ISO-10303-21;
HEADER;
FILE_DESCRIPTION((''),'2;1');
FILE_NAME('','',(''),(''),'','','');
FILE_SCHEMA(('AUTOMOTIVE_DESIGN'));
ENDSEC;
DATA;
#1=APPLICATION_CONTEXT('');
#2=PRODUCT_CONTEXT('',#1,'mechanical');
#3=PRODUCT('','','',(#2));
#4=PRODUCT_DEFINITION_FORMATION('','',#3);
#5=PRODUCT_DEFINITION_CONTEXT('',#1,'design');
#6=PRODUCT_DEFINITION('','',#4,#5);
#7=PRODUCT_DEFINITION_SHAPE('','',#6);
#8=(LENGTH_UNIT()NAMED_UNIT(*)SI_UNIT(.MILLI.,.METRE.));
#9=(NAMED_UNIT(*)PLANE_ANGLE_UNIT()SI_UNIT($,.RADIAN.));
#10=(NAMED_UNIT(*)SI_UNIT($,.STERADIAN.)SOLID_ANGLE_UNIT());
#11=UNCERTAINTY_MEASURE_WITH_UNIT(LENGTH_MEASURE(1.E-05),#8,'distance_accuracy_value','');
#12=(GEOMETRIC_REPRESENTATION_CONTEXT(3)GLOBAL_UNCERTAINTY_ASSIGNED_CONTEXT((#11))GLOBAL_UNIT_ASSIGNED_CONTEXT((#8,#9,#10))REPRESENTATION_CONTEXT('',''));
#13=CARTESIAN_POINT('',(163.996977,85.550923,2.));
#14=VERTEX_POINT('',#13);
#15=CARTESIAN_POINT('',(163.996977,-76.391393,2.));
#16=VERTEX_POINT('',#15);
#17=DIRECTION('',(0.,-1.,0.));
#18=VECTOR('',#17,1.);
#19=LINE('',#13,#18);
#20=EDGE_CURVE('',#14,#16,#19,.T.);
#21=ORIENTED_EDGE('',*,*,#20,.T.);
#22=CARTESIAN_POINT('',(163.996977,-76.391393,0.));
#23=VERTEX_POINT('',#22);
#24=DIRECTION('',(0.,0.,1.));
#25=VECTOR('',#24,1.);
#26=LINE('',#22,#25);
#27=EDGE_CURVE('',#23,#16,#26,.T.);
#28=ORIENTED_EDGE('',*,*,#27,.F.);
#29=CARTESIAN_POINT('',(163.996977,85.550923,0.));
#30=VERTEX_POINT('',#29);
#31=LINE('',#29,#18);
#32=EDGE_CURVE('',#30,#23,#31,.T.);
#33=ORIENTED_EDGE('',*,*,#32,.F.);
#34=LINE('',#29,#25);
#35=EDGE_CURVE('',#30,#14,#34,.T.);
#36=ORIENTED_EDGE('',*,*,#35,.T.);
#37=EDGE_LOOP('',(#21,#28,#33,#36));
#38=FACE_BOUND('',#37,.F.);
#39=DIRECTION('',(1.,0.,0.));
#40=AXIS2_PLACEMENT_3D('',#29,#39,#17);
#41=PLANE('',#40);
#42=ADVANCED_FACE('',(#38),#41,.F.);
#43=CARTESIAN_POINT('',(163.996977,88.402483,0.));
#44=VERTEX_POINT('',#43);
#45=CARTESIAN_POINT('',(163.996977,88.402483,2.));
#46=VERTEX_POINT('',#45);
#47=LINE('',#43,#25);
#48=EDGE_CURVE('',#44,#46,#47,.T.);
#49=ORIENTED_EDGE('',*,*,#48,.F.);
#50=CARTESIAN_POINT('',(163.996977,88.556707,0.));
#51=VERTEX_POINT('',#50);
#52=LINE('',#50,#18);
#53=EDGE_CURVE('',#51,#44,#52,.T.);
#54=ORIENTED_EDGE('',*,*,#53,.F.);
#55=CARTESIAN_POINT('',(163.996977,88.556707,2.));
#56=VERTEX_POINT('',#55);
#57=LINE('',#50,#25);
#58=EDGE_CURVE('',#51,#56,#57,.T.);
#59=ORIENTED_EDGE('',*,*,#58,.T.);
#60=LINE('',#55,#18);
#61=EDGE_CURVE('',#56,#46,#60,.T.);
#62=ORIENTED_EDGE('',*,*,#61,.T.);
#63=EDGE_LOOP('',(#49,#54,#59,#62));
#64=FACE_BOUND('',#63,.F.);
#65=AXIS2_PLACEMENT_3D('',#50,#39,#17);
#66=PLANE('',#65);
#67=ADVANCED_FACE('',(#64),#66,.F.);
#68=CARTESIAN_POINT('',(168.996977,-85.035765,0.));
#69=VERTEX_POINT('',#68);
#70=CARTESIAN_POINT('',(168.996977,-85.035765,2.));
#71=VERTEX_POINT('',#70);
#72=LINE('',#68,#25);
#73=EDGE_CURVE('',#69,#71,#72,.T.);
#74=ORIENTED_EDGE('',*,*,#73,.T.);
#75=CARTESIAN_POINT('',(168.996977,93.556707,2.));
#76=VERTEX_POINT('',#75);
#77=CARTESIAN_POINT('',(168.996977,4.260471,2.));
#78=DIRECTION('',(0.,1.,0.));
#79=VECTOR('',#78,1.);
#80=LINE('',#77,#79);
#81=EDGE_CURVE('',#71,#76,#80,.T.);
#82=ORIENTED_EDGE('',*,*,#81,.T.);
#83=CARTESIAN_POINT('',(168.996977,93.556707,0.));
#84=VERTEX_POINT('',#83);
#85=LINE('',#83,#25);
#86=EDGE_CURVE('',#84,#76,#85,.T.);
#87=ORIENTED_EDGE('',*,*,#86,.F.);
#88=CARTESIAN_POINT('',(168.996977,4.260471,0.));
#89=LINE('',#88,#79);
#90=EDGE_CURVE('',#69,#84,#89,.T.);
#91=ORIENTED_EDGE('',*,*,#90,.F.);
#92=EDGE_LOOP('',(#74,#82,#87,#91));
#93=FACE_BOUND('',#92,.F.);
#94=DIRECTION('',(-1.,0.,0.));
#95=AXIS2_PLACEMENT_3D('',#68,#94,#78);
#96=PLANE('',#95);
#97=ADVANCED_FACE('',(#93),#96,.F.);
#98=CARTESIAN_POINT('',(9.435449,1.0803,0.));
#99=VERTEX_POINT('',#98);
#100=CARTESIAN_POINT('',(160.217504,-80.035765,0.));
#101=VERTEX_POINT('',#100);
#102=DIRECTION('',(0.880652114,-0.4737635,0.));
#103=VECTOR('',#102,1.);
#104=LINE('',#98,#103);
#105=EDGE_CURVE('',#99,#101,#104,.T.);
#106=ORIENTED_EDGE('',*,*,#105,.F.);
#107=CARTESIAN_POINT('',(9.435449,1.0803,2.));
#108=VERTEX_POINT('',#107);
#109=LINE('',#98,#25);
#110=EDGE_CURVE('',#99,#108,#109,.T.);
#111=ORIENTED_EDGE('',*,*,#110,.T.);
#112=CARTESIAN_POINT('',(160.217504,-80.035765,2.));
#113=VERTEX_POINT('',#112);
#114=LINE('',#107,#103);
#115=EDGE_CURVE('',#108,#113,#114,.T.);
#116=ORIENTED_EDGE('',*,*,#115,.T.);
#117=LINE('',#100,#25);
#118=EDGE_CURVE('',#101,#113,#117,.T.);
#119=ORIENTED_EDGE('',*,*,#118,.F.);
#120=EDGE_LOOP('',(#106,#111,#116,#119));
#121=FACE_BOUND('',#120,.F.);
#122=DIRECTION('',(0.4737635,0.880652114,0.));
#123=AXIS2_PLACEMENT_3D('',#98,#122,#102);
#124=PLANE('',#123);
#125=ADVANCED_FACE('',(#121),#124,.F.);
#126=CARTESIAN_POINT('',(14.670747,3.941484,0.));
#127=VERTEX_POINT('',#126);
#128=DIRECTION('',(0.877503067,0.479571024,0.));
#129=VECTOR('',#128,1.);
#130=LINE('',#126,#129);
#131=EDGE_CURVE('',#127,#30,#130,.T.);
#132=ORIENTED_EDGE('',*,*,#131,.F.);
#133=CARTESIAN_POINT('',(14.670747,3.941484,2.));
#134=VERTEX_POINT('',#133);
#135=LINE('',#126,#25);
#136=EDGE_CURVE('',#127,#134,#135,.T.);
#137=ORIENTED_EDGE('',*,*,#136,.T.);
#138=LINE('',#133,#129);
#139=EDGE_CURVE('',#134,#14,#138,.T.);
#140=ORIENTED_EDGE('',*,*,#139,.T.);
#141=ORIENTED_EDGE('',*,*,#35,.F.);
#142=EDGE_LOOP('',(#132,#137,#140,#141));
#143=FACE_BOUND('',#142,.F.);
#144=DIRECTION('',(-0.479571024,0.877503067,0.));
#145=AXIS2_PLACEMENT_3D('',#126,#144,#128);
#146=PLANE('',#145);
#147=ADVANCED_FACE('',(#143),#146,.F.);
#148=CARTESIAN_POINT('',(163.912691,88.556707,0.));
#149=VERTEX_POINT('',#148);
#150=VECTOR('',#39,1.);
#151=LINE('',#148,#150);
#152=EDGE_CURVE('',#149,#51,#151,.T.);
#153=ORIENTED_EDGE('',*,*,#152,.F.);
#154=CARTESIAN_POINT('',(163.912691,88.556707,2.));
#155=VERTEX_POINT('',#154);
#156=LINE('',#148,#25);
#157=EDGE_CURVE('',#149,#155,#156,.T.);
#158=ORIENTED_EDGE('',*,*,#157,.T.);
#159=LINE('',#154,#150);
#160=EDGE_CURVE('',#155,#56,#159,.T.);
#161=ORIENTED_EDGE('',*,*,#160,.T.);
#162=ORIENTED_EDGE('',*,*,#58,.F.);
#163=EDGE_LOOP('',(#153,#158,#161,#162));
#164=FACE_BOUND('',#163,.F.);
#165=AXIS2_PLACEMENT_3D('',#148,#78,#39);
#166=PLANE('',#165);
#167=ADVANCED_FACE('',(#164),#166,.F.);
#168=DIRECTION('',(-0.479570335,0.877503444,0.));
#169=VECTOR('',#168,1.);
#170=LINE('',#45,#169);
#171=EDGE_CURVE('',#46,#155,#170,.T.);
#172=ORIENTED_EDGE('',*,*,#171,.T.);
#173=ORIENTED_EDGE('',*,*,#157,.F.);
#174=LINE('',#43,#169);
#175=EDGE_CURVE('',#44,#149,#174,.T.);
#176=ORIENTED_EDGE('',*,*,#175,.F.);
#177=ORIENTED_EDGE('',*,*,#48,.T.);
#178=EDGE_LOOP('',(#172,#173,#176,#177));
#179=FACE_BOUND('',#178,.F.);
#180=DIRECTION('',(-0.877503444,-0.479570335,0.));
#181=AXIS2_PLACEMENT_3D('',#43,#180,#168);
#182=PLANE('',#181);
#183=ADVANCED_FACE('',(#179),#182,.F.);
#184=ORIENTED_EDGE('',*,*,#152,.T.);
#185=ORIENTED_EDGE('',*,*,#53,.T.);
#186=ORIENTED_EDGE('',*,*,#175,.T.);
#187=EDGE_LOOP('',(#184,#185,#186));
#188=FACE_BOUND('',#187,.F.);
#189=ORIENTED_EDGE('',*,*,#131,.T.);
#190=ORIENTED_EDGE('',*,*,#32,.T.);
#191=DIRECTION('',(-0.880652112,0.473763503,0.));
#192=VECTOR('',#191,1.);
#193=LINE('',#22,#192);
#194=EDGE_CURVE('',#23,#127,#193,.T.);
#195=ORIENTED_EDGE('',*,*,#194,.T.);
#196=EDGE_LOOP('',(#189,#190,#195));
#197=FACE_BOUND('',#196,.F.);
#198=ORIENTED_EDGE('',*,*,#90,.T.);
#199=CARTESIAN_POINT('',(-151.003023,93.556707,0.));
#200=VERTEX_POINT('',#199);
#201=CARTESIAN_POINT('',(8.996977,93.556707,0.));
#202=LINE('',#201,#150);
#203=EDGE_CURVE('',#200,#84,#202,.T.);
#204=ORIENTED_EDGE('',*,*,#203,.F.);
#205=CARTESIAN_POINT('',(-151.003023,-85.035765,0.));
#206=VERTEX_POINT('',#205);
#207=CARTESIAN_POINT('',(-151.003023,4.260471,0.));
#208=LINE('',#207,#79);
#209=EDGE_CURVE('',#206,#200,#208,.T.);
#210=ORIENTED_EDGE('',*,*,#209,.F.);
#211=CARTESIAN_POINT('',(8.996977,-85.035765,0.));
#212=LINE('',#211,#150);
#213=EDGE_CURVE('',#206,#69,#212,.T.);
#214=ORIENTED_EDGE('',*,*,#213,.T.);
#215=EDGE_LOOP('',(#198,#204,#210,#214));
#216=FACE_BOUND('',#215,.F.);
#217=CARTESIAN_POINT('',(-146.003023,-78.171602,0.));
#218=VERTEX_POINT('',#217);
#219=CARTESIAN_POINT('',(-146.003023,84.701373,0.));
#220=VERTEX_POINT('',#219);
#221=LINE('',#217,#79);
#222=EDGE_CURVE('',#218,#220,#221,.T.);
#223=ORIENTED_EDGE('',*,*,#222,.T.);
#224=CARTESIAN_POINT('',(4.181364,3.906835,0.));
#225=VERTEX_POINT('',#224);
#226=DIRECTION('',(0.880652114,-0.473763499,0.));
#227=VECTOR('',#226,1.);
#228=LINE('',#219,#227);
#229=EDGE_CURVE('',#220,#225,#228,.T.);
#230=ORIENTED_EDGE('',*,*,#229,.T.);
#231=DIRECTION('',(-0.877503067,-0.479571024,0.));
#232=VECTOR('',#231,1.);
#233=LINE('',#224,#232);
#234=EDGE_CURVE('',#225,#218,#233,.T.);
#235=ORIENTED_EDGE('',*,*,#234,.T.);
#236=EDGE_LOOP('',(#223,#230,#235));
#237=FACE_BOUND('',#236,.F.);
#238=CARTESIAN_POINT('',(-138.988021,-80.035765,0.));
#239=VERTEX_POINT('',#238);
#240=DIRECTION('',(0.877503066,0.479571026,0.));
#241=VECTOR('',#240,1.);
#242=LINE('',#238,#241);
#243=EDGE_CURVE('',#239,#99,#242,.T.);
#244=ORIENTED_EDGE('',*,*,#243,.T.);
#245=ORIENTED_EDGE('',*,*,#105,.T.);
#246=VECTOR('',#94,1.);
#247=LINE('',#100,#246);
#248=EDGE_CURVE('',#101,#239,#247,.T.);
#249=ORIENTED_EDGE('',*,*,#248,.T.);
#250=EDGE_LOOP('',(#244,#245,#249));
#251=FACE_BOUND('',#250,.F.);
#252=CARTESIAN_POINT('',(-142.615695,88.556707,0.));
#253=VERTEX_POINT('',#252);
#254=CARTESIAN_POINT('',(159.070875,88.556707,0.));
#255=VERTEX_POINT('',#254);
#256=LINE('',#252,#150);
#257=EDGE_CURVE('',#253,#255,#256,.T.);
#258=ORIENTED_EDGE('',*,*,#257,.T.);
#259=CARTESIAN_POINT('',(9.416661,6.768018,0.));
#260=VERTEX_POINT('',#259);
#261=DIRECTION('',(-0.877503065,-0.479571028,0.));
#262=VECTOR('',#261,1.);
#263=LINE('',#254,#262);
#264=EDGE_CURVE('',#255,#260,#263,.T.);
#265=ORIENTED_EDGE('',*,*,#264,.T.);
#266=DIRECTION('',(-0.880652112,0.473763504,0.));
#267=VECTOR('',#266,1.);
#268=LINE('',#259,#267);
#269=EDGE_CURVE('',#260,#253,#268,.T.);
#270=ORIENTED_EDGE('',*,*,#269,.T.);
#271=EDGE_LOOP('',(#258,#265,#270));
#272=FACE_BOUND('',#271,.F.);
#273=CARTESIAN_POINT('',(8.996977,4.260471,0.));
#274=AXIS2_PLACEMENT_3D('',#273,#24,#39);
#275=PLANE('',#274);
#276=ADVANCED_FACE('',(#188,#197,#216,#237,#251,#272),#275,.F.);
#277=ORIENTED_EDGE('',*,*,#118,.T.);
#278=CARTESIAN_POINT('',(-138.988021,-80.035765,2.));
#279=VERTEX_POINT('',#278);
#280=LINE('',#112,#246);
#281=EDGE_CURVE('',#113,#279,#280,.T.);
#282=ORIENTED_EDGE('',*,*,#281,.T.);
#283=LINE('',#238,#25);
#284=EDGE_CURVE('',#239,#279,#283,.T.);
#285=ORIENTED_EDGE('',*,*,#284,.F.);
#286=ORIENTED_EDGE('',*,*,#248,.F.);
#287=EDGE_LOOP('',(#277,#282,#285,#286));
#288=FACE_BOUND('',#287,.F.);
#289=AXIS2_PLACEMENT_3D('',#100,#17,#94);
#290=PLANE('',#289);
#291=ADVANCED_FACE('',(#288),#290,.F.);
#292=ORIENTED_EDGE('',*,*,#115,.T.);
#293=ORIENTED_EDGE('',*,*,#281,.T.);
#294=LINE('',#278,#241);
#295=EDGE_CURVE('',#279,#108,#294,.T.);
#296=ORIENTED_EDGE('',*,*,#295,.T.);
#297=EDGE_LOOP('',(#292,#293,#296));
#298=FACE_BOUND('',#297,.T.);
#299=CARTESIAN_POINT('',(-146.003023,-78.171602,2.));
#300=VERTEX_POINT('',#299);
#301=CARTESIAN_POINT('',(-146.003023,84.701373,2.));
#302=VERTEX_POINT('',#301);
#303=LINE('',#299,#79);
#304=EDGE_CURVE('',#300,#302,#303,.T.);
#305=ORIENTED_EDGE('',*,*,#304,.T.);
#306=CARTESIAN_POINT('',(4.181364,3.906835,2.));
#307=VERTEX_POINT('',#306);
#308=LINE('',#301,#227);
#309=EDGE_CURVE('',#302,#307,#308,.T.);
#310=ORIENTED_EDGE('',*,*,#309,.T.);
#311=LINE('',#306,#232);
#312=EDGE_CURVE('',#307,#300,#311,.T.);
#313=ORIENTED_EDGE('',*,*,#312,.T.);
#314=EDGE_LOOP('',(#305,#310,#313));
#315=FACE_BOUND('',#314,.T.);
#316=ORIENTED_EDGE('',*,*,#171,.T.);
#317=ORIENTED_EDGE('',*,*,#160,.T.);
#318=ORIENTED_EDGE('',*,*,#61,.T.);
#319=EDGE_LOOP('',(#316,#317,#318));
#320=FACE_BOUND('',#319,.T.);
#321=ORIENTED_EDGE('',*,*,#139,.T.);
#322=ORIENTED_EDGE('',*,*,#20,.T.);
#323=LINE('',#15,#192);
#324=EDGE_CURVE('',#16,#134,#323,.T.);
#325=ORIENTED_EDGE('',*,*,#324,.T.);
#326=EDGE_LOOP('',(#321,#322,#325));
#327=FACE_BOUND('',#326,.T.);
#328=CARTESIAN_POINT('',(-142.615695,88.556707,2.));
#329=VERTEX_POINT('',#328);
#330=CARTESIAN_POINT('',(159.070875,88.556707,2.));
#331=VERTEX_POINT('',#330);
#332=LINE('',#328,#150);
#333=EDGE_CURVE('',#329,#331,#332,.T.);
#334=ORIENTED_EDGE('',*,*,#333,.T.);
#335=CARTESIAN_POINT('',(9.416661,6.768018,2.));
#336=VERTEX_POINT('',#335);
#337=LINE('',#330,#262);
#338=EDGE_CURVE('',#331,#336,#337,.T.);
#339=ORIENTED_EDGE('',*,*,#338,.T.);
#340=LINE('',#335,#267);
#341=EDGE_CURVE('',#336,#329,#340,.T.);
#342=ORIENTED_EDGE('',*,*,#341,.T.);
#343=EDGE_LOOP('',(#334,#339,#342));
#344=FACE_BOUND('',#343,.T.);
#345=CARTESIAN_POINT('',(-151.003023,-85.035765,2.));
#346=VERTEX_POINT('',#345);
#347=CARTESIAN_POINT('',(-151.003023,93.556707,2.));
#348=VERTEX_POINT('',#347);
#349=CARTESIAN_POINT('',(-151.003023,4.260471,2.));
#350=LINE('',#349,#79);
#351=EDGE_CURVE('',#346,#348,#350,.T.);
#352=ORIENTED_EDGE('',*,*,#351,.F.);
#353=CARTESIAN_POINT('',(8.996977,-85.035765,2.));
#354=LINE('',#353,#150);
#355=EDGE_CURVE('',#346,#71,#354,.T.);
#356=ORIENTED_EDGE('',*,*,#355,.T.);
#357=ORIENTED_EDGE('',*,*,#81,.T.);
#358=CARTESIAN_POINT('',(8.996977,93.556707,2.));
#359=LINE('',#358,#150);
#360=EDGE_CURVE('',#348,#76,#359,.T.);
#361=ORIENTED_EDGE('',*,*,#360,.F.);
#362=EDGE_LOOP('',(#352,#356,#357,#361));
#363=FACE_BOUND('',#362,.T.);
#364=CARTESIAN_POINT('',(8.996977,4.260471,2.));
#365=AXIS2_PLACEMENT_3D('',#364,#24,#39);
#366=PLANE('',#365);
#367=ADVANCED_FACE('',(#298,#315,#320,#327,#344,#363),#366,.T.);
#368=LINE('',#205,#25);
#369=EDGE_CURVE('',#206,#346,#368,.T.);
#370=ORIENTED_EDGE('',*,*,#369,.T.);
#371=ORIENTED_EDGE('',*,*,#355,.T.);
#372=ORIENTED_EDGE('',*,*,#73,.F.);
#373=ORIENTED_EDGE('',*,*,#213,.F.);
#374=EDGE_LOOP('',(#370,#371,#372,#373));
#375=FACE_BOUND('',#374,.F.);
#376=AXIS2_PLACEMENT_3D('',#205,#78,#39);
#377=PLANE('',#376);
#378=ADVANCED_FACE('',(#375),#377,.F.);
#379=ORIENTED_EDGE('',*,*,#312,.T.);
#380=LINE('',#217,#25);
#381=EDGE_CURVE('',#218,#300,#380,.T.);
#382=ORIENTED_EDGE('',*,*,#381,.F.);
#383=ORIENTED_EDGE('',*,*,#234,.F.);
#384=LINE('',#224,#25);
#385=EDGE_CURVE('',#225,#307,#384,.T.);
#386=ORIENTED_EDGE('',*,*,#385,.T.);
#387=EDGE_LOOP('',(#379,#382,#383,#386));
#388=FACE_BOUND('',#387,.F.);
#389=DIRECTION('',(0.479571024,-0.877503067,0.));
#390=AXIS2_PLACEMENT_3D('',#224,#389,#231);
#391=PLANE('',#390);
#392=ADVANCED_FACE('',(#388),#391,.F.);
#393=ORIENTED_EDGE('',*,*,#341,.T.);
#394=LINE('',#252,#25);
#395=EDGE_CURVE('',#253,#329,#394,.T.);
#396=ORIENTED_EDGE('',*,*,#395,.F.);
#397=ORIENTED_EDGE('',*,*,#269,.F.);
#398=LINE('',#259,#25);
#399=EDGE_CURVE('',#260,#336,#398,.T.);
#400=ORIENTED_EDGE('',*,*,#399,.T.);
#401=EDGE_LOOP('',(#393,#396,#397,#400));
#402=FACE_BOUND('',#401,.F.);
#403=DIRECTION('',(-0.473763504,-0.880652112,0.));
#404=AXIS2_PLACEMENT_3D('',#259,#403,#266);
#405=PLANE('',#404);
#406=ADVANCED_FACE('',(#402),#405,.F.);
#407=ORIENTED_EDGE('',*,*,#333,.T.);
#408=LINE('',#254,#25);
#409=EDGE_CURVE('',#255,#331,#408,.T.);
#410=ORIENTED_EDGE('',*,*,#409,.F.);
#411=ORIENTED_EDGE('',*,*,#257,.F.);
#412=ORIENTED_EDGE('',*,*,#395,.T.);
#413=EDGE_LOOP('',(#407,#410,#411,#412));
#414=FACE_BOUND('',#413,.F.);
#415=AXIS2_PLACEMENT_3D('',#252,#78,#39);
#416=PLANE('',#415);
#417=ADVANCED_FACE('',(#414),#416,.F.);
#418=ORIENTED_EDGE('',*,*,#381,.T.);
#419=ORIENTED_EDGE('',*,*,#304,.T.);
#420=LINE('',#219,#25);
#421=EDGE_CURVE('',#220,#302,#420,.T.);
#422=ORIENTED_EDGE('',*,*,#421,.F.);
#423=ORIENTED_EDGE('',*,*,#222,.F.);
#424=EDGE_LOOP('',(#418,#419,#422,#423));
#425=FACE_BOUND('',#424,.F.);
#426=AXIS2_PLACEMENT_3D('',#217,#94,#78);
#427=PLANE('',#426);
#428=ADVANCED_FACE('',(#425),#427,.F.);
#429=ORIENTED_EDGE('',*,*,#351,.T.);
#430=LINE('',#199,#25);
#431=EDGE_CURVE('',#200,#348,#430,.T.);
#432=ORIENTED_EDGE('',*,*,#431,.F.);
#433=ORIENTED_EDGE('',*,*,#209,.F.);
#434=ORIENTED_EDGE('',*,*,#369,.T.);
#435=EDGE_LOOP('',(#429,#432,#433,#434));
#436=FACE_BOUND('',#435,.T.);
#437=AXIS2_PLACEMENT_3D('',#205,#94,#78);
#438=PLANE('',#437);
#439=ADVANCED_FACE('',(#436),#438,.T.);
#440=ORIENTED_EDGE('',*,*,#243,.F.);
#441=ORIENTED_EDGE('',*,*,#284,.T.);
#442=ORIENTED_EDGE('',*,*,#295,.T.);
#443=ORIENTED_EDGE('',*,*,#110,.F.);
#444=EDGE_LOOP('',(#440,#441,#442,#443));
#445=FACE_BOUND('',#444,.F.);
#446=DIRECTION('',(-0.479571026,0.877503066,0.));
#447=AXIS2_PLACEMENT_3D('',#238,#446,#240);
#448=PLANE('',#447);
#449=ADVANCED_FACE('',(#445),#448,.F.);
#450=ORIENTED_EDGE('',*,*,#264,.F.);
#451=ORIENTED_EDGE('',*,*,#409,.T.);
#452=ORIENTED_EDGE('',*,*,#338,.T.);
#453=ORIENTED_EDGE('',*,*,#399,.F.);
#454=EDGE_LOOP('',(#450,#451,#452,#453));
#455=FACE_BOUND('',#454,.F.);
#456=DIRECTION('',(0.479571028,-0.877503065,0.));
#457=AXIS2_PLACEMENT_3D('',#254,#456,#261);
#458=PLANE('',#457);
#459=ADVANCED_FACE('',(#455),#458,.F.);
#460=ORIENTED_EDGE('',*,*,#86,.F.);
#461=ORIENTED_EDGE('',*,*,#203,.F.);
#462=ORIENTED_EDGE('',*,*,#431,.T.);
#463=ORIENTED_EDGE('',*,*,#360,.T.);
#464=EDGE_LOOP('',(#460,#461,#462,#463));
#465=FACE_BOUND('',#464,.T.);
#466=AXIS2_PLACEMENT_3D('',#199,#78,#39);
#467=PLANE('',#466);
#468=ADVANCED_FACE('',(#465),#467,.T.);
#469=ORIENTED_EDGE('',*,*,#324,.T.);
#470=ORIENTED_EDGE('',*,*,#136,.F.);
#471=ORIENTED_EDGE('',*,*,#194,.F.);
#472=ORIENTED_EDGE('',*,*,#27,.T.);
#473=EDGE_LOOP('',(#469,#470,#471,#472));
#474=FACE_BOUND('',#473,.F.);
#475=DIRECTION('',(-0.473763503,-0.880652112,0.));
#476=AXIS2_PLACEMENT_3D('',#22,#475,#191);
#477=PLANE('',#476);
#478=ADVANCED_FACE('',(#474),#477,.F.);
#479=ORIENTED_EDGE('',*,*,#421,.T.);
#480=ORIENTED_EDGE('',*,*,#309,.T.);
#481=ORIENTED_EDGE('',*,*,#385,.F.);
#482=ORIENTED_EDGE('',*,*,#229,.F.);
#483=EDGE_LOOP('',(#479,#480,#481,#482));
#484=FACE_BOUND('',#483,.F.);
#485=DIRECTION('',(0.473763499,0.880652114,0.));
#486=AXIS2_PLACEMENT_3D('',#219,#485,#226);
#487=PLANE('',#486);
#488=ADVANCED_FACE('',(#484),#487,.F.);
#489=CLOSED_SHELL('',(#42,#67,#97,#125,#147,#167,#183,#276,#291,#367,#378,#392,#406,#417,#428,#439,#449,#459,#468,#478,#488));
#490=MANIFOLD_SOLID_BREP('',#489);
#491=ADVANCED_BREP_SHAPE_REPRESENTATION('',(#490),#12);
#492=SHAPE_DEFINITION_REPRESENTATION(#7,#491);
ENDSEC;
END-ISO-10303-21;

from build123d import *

# Parameters (mm, degrees)
F0_W     = 320
F0_H     = 178.592472
F1_DEPTH = 2


with BuildPart() as f1:
    # F0 (on Top) → F1 (new body)
    with BuildSketch(Plane.XY):
        with Locations((8.996977, 4.260471)):
            Rectangle(F0_W, F0_H)
        Polygon((-146.003023, -78.171602), (-146.003023, 84.701373), (4.181364, 3.906835), align=None, mode=Mode.SUBTRACT)
        Polygon((160.217504, -80.035765), (-138.988021, -80.035765), (9.435449, 1.0803), align=None, mode=Mode.SUBTRACT)
        Polygon((9.416661, 6.768018), (-142.615695, 88.556707), (159.070875, 88.556707), align=None, mode=Mode.SUBTRACT)
        Polygon((14.670747, 3.941484), (163.996977, 85.550923), (163.996977, -76.391393), align=None, mode=Mode.SUBTRACT)
        Polygon((163.912691, 88.556707), (163.996977, 88.556707), (163.996977, 88.402483), align=None, mode=Mode.SUBTRACT)
    extrude(amount=F1_DEPTH)


solid = f1.part
